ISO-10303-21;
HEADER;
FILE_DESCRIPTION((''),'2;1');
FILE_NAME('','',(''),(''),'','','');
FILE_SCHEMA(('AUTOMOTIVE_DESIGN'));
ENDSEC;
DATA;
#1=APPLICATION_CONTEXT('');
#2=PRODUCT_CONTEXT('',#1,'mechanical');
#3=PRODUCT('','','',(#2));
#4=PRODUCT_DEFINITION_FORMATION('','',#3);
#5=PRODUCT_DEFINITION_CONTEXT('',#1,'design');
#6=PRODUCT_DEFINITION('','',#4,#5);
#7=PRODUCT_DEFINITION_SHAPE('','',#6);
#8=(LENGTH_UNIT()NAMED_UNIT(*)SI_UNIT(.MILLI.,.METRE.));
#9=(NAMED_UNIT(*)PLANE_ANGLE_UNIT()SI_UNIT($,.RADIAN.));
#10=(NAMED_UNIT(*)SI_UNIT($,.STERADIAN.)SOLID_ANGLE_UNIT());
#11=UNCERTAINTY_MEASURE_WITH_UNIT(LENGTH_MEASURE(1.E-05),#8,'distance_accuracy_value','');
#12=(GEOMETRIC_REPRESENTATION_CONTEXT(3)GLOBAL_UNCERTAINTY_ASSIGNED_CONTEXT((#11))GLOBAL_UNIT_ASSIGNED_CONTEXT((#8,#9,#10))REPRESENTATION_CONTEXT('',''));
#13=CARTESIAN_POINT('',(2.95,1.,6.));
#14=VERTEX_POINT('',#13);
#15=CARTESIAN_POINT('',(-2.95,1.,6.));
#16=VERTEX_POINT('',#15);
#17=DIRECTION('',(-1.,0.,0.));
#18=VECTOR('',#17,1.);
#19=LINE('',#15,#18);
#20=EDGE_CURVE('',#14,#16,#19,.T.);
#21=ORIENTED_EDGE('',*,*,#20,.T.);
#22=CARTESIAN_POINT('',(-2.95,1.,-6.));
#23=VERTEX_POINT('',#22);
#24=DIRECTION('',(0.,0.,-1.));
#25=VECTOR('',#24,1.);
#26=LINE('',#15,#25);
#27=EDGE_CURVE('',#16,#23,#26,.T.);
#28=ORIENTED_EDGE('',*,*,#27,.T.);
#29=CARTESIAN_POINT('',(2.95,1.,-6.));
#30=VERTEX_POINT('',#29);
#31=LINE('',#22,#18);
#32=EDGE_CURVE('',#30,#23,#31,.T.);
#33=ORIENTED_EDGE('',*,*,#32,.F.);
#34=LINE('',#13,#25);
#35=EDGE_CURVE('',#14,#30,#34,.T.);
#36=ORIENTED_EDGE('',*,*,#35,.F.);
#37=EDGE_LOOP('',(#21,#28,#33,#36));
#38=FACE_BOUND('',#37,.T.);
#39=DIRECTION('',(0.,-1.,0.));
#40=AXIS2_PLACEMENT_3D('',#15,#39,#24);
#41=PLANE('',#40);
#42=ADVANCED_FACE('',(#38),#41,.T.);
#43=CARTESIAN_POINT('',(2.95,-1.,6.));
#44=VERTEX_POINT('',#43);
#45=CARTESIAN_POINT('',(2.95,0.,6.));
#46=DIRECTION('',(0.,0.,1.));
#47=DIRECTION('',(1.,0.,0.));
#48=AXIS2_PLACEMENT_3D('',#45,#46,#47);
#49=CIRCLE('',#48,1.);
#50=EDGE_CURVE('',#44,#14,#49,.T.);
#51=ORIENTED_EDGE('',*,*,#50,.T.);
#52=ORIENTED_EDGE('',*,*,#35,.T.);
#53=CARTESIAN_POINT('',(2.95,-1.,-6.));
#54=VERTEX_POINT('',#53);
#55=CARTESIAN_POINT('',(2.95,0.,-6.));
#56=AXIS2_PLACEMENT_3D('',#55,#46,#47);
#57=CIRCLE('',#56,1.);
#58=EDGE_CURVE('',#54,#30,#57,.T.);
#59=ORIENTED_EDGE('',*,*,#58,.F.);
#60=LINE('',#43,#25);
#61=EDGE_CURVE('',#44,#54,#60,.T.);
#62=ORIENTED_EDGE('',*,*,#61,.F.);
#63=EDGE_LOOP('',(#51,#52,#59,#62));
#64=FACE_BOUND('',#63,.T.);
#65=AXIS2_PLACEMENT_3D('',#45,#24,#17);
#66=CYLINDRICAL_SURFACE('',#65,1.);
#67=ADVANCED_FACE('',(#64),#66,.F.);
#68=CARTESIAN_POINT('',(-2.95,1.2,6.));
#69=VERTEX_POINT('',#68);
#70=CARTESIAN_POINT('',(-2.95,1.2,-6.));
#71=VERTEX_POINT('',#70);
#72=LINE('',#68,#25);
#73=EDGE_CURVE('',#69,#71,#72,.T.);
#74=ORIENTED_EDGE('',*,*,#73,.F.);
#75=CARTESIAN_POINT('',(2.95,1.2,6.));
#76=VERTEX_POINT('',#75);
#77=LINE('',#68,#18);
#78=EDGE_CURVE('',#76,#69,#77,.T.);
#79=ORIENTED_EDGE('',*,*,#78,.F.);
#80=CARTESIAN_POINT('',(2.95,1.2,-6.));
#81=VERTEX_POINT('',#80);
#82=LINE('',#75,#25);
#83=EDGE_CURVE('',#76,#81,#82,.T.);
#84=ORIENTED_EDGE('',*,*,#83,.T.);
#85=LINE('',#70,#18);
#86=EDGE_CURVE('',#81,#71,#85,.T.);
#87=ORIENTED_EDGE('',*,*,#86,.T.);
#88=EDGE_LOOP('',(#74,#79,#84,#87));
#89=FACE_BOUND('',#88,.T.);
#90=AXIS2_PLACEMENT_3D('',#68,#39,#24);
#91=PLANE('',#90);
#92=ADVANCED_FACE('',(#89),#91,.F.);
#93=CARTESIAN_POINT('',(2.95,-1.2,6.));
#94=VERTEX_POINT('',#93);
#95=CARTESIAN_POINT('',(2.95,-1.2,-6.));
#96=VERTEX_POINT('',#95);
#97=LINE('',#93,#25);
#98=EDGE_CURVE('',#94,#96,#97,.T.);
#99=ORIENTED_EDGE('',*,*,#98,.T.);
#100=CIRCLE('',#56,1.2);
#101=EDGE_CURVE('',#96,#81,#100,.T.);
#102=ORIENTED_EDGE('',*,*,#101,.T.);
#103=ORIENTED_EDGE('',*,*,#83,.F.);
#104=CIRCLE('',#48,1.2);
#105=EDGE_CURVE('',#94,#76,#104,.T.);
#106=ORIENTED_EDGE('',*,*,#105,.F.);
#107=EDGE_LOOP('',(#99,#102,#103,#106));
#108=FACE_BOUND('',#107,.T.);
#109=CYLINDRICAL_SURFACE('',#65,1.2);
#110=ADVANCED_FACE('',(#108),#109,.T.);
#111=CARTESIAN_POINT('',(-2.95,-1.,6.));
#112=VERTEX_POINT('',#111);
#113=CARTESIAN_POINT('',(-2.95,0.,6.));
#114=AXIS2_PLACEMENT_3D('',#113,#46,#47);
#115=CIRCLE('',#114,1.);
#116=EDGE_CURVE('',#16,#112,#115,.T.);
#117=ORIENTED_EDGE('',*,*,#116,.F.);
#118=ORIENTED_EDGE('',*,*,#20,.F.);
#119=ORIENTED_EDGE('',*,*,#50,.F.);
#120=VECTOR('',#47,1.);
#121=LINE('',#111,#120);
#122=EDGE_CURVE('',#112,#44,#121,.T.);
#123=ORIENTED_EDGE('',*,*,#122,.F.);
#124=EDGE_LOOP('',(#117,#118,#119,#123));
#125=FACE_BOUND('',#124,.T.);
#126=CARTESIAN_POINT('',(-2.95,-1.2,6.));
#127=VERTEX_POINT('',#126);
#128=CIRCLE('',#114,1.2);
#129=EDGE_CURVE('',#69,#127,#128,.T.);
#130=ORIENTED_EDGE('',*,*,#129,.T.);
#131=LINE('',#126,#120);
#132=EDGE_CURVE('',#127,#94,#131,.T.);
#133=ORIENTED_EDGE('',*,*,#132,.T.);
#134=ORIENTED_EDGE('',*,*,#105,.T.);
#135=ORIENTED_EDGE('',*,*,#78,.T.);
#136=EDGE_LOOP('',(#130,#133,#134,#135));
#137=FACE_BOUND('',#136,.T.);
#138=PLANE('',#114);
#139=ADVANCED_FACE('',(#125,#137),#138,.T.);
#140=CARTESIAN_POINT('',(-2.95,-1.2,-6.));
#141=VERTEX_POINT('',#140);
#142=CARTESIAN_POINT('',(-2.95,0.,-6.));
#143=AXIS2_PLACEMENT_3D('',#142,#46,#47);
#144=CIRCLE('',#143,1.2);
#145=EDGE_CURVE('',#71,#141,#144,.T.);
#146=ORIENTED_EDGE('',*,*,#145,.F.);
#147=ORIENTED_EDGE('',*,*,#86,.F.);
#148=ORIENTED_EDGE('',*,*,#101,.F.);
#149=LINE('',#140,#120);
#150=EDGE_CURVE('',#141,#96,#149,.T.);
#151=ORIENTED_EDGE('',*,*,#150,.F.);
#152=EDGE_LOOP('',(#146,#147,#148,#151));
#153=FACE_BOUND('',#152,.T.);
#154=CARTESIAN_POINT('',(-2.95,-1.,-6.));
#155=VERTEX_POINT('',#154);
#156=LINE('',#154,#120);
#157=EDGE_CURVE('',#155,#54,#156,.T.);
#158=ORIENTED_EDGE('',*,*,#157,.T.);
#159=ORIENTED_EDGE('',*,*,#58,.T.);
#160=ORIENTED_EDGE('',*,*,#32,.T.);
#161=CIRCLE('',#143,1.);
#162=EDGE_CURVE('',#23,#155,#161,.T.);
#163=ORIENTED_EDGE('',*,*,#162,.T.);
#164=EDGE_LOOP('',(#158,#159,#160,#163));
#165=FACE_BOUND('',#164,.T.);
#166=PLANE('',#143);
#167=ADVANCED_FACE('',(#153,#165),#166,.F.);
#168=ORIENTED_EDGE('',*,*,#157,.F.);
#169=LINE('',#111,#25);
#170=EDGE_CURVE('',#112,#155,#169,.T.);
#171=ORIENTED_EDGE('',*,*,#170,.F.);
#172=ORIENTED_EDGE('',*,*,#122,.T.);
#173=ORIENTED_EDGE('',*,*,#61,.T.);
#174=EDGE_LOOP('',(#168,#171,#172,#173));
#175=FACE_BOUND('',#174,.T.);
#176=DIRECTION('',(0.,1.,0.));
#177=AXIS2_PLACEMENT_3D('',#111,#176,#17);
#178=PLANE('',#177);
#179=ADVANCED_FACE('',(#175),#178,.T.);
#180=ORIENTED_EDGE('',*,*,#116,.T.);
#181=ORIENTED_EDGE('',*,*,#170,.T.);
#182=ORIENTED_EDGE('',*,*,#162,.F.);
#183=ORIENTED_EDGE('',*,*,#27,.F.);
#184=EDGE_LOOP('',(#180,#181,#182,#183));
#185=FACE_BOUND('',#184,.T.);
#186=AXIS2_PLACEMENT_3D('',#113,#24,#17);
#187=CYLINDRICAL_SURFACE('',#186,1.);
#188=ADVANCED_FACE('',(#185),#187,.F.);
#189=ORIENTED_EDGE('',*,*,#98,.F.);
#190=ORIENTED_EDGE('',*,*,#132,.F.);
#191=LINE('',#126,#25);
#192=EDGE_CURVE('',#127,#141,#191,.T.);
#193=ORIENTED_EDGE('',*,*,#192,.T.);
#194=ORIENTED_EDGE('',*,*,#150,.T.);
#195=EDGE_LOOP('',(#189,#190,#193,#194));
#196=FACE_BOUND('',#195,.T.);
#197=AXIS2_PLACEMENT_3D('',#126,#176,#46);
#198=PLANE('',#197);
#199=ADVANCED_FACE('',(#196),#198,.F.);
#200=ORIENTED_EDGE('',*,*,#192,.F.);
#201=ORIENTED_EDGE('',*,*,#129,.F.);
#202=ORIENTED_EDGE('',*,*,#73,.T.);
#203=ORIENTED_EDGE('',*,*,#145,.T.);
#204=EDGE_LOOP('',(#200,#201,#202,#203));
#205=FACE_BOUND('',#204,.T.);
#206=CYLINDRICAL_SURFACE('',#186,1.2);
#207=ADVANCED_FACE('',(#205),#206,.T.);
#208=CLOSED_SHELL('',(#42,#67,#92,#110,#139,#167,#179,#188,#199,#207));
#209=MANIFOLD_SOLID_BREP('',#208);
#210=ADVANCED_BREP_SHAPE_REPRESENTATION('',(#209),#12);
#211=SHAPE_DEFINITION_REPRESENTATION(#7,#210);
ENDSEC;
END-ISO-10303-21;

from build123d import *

# Parameters (mm, degrees)
USBCPROFILE_DEPTH = 6


with BuildPart() as part:
    # USBCProfileS → USBCProfile (new, symmetric)
    with BuildSketch(Plane.XY):
        with BuildLine():
            Line((-2.95, 1.2), (2.95, 1.2))
            ThreePointArc((2.95, 1.2), (4.15, 0), (2.95, -1.2))
            Line((2.95, -1.2), (-2.95, -1.2))
            ThreePointArc((-2.95, -1.2), (-4.15, 0), (-2.95, 1.2))
        make_face()
        with BuildLine():
            Line((-2.95, 1), (2.95, 1))
            ThreePointArc((2.95, 1), (3.95, 0), (2.95, -1))
            Line((2.95, -1), (-2.95, -1))
            ThreePointArc((-2.95, -1), (-3.95, 0), (-2.95, 1))
        make_face(mode=Mode.SUBTRACT)
    extrude(amount=USBCPROFILE_DEPTH, both=True)


solid = part.part
